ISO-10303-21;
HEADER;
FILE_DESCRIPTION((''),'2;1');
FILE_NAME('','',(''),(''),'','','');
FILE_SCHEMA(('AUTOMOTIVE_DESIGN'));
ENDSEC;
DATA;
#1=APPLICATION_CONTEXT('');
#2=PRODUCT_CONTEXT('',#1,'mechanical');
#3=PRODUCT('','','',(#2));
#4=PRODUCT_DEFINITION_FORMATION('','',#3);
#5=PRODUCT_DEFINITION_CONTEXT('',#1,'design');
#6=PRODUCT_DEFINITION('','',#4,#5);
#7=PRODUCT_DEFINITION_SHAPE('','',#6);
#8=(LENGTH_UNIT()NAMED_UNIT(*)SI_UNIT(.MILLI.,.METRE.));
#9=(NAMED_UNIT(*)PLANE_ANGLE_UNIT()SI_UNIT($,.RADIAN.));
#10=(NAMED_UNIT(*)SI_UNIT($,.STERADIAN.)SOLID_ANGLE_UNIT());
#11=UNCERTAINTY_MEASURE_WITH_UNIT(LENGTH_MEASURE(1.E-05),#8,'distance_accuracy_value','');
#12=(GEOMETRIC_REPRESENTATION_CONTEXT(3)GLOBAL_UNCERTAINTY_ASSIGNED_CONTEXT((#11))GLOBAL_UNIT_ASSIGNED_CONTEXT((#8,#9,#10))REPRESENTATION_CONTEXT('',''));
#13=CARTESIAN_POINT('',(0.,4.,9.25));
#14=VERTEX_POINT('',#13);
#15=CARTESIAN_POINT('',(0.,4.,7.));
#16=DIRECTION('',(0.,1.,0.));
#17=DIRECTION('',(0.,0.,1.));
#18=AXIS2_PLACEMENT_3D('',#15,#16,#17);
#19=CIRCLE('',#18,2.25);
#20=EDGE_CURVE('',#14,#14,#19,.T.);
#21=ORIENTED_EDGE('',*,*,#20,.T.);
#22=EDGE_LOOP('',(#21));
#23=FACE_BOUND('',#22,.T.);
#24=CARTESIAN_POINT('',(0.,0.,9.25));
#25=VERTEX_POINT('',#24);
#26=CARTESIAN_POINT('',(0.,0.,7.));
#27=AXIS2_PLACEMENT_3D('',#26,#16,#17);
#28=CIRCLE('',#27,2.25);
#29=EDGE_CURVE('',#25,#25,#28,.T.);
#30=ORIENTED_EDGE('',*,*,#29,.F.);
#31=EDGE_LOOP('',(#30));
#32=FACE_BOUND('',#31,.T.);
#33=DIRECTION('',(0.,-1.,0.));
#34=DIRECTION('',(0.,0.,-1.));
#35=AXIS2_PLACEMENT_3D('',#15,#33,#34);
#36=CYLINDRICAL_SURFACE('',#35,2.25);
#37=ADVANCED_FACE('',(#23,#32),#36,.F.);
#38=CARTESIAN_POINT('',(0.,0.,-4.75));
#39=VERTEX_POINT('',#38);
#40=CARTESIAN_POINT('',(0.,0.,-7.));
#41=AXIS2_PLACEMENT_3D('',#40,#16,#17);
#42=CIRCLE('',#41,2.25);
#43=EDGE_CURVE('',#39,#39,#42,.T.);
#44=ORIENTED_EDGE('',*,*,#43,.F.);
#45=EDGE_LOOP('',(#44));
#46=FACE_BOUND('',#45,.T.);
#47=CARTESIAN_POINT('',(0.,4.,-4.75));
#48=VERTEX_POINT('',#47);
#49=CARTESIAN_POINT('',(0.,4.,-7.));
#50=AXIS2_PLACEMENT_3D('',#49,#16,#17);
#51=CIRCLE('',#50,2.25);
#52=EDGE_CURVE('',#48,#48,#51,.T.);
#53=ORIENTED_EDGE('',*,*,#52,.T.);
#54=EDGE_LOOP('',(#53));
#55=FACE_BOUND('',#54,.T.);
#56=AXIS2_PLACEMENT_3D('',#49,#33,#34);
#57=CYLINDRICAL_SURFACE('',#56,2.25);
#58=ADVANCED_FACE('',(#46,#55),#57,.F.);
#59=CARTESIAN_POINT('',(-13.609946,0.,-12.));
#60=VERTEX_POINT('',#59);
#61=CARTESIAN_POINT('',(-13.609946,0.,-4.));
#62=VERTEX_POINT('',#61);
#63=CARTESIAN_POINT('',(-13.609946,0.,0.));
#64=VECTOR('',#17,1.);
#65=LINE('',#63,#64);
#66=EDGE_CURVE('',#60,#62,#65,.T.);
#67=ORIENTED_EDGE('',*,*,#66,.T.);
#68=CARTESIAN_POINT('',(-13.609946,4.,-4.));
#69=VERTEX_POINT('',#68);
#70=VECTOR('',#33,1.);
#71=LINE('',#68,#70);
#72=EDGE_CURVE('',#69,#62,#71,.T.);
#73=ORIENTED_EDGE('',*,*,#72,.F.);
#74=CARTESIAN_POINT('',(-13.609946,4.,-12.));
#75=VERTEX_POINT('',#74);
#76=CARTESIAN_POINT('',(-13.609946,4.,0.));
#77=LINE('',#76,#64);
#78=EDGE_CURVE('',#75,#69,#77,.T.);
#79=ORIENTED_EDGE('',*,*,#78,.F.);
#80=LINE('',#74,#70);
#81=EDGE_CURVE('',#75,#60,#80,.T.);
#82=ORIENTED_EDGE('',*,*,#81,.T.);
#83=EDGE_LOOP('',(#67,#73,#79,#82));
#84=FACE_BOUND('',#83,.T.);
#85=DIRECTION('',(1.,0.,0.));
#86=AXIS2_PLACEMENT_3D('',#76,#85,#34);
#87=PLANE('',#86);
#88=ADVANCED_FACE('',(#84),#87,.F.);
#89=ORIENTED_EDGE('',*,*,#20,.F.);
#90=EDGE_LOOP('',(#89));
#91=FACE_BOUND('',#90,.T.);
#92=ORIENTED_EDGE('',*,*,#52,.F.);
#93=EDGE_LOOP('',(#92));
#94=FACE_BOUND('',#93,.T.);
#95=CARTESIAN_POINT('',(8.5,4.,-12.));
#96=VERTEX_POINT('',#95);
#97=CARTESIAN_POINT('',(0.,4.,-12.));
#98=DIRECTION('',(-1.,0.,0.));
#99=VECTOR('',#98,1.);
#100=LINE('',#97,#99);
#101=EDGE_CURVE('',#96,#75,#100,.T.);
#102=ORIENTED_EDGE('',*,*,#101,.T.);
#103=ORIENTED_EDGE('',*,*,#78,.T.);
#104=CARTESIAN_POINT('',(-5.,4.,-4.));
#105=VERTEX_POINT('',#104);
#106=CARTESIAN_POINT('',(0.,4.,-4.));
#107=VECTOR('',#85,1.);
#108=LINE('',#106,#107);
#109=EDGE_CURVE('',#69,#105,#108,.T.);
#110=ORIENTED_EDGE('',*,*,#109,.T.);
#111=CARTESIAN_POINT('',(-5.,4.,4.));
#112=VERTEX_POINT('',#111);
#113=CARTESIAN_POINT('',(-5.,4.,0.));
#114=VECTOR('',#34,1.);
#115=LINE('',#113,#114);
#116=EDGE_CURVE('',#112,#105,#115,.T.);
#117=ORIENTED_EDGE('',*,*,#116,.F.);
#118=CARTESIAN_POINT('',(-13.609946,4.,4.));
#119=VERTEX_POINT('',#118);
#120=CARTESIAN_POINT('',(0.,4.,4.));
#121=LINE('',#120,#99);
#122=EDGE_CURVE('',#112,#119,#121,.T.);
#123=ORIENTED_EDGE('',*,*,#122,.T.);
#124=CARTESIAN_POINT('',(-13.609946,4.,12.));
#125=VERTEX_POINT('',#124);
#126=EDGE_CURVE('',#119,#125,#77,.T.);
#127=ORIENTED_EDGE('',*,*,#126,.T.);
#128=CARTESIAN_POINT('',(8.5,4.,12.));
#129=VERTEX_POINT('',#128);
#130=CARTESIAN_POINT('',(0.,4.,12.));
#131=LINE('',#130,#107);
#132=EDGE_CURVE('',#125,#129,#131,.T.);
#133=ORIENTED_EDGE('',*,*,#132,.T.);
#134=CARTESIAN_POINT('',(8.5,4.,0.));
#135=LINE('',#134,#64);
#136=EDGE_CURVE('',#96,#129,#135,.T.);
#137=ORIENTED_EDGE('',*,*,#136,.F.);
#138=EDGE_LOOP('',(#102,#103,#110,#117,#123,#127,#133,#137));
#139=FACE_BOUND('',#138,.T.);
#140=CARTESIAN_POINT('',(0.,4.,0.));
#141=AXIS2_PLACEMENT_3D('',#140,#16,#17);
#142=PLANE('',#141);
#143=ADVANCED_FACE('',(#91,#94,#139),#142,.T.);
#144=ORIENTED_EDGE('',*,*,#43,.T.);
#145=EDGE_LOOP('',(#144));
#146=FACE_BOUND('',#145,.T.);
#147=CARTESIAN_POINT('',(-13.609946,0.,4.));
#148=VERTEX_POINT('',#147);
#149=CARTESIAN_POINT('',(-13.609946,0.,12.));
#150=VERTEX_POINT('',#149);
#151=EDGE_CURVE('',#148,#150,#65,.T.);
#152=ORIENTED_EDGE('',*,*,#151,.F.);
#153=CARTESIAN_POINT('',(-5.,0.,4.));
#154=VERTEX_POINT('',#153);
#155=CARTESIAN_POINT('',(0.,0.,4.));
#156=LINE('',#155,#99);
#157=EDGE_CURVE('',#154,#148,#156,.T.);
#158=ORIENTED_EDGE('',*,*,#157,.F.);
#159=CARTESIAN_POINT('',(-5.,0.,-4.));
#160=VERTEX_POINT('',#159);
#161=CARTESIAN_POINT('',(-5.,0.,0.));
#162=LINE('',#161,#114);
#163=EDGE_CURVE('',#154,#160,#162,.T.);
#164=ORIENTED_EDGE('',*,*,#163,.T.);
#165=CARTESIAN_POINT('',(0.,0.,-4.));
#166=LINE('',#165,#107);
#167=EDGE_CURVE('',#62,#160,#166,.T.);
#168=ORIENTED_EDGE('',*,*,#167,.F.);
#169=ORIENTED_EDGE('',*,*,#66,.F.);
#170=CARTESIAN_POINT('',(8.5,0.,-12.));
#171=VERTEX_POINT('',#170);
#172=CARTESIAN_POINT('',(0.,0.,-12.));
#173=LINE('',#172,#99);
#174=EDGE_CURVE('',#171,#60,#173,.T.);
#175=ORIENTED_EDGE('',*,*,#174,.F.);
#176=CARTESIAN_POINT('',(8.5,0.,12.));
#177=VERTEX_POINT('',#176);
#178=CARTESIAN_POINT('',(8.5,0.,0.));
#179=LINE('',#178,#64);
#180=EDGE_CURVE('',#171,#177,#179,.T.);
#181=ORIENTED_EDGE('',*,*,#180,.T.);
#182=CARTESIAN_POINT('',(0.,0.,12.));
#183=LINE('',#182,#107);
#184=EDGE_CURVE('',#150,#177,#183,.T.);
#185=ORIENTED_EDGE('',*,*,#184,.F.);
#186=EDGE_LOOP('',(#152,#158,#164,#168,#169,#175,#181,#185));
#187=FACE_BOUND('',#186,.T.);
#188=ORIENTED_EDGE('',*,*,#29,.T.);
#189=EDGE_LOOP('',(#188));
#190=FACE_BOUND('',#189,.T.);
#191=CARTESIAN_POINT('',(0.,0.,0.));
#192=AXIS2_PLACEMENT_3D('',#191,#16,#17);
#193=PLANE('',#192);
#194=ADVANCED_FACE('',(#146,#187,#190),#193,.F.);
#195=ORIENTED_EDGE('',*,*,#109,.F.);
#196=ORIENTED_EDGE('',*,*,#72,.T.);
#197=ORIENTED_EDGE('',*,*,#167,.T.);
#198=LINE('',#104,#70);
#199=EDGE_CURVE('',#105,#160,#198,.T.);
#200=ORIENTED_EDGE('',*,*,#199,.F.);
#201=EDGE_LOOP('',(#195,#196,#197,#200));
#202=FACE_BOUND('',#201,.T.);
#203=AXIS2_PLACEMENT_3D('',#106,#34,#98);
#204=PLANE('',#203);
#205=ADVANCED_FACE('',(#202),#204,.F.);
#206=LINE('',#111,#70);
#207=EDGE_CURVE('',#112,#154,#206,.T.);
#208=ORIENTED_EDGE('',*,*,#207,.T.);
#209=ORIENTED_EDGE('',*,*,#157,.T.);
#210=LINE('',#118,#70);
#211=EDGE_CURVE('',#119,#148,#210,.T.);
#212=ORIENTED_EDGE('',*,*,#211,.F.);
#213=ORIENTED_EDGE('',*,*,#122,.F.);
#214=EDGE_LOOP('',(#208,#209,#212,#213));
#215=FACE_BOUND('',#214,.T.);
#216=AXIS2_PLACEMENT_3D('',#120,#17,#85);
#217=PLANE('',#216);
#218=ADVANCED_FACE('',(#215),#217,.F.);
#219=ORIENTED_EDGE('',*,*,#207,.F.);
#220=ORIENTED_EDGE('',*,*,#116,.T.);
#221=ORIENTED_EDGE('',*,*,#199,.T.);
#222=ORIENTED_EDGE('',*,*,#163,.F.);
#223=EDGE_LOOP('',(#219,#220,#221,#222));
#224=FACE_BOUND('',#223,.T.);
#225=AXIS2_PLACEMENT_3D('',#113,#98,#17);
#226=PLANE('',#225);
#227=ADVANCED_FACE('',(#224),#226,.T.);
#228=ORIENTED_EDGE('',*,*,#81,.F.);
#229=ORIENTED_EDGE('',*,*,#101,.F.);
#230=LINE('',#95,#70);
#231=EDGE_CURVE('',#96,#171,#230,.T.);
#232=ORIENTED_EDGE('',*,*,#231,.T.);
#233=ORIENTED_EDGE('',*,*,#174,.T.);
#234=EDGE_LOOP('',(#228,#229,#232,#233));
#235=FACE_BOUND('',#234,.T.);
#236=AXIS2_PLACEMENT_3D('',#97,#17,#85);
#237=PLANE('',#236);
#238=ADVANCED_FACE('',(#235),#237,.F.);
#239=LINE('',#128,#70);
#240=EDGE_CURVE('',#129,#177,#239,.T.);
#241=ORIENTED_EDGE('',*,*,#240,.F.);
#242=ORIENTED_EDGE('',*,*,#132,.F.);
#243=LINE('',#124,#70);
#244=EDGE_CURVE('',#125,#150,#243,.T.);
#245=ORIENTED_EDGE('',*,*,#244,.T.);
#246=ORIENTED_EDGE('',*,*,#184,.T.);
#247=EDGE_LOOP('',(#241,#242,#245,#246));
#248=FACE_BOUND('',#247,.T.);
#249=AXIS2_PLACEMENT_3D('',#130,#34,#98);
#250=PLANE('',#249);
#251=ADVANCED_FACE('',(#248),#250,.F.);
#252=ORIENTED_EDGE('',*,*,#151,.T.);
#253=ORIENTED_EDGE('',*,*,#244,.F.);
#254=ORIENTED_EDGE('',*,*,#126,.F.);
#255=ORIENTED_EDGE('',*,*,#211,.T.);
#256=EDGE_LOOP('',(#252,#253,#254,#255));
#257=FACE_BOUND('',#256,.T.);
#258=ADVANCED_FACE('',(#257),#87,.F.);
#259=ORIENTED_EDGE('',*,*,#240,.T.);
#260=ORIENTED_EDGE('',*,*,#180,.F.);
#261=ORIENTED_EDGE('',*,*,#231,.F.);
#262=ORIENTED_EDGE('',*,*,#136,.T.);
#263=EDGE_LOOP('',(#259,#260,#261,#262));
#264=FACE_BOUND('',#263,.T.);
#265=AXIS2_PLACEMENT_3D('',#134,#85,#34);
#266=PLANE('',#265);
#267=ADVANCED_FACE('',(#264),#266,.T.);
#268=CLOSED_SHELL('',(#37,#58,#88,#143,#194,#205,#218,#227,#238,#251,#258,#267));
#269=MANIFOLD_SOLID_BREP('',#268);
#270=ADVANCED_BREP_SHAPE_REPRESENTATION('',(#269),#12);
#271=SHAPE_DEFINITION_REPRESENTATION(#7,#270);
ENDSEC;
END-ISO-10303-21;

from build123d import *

# Parameters (mm, degrees)
SKETCH1_3_R         = 2.25
BOSS_EXTRUDE2_DEPTH = 4


with BuildPart() as part:
    # Sketch1<3> → Boss-Extrude2 (new body)
    with BuildSketch(Plane(origin=(0, 0, 0), x_dir=(1, 0, 0), z_dir=(0, 1, 0))):
        Polygon((-13.60994599, -4), (-13.60994599, -12), (8.5, -12), (8.5, 12), (-13.60994599, 12), (-13.60994599, 4), (-5, 4), (-5, -4), align=None)
        with Locations((0, -7)):
            Circle(SKETCH1_3_R, mode=Mode.SUBTRACT)
        with Locations((0, 7)):
            Circle(SKETCH1_3_R, mode=Mode.SUBTRACT)
    extrude(amount=BOSS_EXTRUDE2_DEPTH)


solid = part.part
